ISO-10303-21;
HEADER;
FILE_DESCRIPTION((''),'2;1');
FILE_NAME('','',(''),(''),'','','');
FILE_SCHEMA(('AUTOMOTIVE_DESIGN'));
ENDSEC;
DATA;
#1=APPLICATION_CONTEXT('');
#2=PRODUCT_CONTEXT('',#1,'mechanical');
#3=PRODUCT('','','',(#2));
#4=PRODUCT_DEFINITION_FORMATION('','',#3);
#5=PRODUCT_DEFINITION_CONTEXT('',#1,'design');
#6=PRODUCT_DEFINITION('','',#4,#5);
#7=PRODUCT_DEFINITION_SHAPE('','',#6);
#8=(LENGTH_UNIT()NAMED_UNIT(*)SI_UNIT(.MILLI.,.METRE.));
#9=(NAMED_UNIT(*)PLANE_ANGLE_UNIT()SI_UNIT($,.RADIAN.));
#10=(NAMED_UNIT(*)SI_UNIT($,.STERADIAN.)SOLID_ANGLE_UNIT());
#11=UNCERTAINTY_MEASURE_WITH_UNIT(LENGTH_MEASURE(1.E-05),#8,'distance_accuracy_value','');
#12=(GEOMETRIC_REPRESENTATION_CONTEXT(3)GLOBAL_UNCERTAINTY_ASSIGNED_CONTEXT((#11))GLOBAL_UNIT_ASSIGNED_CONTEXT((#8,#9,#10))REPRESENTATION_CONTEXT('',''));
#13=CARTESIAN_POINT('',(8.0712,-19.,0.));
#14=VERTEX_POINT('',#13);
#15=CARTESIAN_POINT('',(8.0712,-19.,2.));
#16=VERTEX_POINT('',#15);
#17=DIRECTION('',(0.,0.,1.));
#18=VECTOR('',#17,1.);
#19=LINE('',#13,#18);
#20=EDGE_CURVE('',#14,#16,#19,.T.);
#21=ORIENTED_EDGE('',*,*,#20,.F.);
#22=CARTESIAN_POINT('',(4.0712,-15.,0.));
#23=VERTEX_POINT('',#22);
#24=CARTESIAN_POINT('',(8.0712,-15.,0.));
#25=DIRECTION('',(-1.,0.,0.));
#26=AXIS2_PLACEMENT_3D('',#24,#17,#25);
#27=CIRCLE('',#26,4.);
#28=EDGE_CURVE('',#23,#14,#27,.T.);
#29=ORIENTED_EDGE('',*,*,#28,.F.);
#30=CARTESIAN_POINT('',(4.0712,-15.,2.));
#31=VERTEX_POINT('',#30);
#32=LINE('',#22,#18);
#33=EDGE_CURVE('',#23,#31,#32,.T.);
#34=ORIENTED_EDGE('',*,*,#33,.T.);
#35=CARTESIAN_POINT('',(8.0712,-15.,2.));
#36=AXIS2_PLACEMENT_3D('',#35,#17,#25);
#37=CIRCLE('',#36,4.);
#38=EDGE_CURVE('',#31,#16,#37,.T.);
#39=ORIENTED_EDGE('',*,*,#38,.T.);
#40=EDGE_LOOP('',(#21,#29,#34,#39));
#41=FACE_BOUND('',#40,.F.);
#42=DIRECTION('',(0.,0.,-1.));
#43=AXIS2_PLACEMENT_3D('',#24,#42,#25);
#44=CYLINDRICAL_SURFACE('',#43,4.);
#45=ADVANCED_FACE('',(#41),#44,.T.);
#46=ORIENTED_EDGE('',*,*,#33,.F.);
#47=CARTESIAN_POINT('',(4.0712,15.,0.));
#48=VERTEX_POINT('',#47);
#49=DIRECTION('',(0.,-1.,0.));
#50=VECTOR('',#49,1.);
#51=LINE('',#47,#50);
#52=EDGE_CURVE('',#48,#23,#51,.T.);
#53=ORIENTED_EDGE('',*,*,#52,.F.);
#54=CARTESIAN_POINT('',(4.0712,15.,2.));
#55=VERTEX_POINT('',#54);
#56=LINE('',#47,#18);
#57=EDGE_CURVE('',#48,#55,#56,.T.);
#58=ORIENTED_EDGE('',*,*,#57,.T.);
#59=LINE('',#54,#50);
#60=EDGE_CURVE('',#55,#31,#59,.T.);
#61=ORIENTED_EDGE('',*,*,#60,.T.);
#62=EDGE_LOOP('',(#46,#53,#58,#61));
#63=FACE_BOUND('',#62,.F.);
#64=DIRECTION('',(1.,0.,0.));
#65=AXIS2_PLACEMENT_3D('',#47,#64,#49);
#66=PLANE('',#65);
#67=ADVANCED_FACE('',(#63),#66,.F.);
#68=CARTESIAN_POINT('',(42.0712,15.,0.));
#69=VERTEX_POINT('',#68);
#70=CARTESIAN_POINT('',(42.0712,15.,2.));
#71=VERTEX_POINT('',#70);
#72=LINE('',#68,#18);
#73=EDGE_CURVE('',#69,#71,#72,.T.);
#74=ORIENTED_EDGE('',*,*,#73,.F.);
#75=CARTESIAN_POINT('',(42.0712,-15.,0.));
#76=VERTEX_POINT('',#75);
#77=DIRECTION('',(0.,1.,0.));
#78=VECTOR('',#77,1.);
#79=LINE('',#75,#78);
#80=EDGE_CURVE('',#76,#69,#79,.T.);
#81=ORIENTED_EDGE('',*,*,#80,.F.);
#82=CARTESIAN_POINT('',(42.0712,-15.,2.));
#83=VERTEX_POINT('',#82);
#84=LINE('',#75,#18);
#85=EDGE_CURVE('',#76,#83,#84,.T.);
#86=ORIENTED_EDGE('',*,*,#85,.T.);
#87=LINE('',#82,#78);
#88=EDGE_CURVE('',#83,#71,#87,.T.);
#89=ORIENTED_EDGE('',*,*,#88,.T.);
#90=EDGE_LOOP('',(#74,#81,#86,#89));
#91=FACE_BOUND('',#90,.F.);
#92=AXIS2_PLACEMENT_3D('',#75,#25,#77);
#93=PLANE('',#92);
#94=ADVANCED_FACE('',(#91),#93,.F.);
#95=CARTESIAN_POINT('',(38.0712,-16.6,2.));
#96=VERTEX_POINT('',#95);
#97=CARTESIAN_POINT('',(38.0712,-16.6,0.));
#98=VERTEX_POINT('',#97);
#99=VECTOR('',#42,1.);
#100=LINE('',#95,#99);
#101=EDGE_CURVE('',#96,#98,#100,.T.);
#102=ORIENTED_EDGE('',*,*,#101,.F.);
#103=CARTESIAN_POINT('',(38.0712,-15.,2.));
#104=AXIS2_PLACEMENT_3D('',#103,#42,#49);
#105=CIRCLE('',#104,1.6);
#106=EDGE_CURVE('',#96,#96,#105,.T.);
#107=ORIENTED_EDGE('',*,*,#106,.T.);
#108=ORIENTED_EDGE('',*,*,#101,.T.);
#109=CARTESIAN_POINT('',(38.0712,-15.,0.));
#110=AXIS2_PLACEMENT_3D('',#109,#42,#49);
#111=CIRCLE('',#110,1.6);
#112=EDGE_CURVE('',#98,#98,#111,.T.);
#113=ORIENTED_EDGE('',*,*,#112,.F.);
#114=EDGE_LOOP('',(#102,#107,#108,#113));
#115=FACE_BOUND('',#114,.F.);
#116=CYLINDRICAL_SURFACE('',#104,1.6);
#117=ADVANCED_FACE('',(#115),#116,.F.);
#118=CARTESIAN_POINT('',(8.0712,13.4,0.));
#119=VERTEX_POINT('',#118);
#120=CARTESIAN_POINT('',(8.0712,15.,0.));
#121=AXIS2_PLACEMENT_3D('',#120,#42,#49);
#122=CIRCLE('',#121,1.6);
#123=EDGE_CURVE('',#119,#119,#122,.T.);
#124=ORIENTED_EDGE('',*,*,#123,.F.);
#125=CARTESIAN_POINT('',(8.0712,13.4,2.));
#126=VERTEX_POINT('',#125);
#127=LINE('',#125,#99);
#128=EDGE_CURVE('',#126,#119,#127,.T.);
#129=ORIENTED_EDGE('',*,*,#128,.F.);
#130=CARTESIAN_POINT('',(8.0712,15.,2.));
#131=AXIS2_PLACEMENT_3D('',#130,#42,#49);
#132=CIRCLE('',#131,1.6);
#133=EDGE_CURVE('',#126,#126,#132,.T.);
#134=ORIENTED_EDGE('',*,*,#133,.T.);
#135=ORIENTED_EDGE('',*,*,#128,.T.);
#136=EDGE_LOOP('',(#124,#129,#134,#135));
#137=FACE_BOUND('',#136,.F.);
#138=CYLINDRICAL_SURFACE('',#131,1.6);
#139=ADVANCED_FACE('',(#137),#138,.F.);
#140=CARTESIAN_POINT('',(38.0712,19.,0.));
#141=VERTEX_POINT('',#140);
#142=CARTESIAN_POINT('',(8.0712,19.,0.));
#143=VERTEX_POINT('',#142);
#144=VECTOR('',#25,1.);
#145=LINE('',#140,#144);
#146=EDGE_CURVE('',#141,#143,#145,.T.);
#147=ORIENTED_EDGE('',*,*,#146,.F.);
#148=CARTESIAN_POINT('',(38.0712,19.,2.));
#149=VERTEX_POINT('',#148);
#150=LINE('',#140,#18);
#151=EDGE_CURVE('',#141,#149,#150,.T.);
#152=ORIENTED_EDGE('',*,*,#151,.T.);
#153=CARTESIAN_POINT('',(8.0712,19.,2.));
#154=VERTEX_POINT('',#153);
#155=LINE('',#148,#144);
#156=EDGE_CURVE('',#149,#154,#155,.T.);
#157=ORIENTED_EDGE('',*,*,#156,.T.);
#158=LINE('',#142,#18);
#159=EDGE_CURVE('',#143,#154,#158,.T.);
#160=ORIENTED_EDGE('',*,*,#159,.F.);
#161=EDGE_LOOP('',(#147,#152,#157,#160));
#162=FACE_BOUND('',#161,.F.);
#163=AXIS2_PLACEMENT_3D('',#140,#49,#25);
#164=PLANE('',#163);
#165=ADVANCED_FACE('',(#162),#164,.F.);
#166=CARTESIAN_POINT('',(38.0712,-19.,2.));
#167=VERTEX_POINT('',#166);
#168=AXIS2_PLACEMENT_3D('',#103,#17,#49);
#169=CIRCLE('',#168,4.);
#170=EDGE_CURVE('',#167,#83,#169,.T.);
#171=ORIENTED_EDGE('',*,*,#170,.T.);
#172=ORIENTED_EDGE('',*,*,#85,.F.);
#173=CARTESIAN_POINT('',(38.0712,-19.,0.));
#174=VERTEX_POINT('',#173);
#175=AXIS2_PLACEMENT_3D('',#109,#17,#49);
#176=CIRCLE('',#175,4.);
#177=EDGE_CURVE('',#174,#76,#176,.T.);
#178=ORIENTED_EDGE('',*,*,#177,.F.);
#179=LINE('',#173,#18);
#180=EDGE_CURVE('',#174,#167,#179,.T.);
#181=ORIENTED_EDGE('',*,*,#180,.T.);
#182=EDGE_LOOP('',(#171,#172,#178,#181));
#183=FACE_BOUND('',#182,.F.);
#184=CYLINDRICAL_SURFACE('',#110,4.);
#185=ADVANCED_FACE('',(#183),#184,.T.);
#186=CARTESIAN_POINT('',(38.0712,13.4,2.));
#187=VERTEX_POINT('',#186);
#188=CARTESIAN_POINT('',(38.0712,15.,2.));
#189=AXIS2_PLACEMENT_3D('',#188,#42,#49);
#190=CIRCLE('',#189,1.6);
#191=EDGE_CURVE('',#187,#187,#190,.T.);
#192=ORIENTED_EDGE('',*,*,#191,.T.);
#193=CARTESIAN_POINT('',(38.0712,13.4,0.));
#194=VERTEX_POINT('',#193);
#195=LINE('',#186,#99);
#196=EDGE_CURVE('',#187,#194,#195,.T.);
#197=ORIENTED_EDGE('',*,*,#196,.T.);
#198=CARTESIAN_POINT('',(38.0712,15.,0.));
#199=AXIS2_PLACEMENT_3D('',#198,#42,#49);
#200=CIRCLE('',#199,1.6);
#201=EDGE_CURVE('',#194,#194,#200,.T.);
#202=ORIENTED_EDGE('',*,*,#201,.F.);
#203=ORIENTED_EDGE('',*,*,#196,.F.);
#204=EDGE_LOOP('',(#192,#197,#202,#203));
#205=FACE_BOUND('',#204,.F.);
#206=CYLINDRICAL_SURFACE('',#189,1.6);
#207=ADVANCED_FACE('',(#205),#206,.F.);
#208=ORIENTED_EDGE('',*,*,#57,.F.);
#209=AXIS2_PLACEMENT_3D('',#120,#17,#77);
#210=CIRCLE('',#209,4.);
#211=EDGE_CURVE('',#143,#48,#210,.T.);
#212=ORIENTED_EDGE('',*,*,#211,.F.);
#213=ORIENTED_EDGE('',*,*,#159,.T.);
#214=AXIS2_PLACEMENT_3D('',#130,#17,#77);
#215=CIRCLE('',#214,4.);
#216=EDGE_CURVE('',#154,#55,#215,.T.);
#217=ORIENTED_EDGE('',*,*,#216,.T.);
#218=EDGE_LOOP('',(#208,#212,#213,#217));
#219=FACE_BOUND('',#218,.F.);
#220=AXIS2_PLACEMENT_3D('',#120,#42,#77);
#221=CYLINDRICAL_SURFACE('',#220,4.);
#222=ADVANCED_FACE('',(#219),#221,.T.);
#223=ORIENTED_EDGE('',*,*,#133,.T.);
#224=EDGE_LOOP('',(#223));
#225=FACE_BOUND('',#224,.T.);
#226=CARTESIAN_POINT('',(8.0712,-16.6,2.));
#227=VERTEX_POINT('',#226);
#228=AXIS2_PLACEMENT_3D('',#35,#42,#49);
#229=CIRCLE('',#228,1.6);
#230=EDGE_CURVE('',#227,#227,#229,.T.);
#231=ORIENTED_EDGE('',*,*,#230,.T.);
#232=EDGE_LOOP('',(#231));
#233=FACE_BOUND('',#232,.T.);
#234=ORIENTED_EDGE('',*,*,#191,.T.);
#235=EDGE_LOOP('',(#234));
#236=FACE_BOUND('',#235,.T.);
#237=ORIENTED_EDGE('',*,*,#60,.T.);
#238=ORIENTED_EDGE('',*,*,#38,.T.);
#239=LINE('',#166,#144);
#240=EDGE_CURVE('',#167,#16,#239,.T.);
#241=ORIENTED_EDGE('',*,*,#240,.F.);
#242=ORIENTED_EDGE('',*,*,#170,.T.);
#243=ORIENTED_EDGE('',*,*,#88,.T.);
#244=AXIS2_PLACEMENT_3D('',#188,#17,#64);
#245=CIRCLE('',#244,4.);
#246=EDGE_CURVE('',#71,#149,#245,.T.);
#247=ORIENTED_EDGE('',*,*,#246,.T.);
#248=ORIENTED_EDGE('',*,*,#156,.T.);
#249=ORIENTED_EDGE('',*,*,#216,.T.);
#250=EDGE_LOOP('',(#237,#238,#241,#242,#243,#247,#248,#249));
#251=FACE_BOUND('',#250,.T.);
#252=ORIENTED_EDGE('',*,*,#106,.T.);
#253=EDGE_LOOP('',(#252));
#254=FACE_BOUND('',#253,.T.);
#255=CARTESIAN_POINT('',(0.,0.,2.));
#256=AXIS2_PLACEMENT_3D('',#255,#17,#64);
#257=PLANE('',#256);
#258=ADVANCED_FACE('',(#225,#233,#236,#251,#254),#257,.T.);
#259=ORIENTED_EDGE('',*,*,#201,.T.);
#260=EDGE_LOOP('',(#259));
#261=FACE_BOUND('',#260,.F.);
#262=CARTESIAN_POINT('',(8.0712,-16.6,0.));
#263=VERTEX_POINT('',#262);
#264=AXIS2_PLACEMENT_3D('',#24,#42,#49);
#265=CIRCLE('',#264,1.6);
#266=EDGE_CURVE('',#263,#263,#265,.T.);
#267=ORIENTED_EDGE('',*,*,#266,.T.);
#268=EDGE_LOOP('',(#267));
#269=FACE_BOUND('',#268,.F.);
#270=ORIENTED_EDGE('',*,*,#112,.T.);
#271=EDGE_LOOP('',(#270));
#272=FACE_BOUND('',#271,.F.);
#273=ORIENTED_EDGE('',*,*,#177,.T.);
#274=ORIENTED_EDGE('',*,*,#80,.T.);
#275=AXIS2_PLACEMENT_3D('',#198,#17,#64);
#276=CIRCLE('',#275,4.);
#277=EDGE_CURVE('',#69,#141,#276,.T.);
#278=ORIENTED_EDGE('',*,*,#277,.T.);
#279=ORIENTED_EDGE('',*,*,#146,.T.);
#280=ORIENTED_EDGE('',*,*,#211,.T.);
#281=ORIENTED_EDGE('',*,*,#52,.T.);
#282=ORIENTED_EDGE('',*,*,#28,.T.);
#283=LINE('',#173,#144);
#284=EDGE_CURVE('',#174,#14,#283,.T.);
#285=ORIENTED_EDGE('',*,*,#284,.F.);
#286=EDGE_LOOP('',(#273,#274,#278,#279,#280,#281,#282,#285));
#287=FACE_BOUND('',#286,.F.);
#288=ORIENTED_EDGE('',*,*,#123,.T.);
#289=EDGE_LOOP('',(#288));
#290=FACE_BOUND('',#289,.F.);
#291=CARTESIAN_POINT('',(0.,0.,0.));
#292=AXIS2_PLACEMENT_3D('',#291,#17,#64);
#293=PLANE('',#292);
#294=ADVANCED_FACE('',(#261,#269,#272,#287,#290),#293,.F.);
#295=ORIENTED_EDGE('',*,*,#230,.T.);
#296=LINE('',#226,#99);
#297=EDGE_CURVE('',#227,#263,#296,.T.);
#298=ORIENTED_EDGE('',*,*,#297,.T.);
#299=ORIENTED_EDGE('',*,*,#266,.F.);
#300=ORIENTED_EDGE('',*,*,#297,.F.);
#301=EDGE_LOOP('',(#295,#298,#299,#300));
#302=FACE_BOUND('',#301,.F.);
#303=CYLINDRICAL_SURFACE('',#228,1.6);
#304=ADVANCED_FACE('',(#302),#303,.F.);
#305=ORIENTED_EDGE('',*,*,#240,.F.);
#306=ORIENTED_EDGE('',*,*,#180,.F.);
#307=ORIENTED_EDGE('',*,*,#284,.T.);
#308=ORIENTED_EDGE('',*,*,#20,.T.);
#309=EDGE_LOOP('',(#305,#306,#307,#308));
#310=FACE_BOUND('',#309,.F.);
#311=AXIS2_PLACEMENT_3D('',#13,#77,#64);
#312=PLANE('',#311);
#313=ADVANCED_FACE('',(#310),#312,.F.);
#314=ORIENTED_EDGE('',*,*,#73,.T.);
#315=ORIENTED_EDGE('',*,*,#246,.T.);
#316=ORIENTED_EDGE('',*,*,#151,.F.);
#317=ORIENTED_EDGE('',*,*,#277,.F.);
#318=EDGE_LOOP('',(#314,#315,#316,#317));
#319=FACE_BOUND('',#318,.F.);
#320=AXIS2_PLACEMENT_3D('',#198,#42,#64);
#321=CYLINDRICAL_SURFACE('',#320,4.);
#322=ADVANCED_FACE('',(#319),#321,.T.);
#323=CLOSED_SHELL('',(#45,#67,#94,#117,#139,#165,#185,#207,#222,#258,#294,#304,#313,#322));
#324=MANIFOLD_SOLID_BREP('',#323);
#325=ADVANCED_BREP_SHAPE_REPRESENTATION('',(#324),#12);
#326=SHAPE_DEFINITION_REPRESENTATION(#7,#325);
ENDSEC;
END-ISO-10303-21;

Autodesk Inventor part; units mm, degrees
ref_plane "YZ Plane" through (0, 0, 0) normal (1, 0, 0) x (0, 1, 0)
ref_plane "XZ Plane" through (0, 0, 0) normal (0, 1, 0) x (-1, 0, 0)
ref_plane "XY Plane" through (0, 0, 0) normal (0, 0, 1) x (1, 0, 0)
ref_plane "Arbeitsebene1" through (0, 0, 0) normal (0, 0, 1) x (1, 0, 0)
sketch "Skizze1" plane through (0, 0, 0) normal (0, 0, 1) x (1, 0, 0)
  line L0 (14.5712, 11.3758) -> (14.5712, 4.0068) projected
  line L1 (13.3638, -15.5) -> (13.3638, 1.7) projected
  arc A0 (14.5712, 4.0068) -> (13.3638, 1.7) centre (16.1712, 1.7) ccw projected
  line L2 (8.0712, 15) -> (38.0712, 15)
  line L3 (38.0712, 15) -> (38.0712, -15)
  line L4 (38.0712, -15) -> (8.0712, -15)
  line L5 (8.0712, -15) -> (8.0712, 15)
  line L6 (38.0712, 19) -> (8.0712, 19)
  line L7 (4.0712, 15) -> (4.0712, -15)
  line L8 (8.0712, -19) -> (38.0712, -19)
  line L9 (42.0712, -15) -> (42.0712, 15)
  arc A1 (8.0712, 19) -> (4.0712, 15) centre (8.0712, 15) ccw
  arc A2 (42.0712, 15) -> (38.0712, 19) centre (38.0712, 15) ccw
  arc A3 (38.0712, -19) -> (42.0712, -15) centre (38.0712, -15) ccw
  arc A4 (4.0712, -15) -> (8.0712, -19) centre (8.0712, -15) ccw
  line L10 (10.5793, 11.3758) -> (14.5712, 11.3758) projected
  line L11 (36.5793, 10.3758) -> (36.5793, -24.4) projected
  arc A5 (36.5793, 10.3758) -> (35.5793, 11.3758) centre (35.5793, 10.3758) ccw projected
  line L12 (9.5793, -24.4) -> (9.5793, 10.3758) projected
  line L13 (36.5793, -24.4) -> (9.5793, -24.4) projected
  line L14 (31.5712, 11.3758) -> (35.5793, 11.3758) projected
  line L15 (31.5712, 4.0068) -> (31.5712, 11.3758) projected
  arc A6 (10.5793, 11.3758) -> (9.5793, 10.3758) centre (10.5793, 10.3758) ccw projected
  arc A7 (32.7786, 1.7) -> (31.5712, 4.0068) centre (29.9712, 1.7) ccw projected
  line L16 (32.7786, 1.7) -> (32.7786, -15.5) projected
  arc A8 (29.9712, -18.3074) -> (32.7786, -15.5) centre (29.9712, -15.5) ccw projected
  line L17 (29.9712, -18.3074) -> (16.1712, -18.3074) projected
  arc A9 (13.3638, -15.5) -> (16.1712, -18.3074) centre (16.1712, -15.5) ccw projected
  point P0 (0, 0)
  dimension "d0" = 4
  dimension "d1" = 4
extrude "Extrusion1" add sketch "Skizze1" along normal blind 2 contours L10 A6 L12 L4 L5 L2 L3 L11 A5 L14 L15 A7 L16 L1 A0 L0 | L0 A0 L1 L4 L12 A6 L10 | L4 L16 A8 L17 A9 L1 | L1 A9 L17 A8 L16 L4 L11 L8 L12 | L12 L8 A4 L7 A1 L6 A2 L9 A3 L11 L4 L3 L2 L5 | L16 A7 L15 L14 A5 L11 L4
ref_plane "Arbeitsebene2" through (0, 0, 0) normal (0, 0, 1) x (1, 0, 0)
sketch "Skizze2" plane through (0, 0, 2) normal (0, 0, 1) x (1, 0, 0)
  arc A0 (8.0712, 19) -> (4.0712, 15) centre (8.0712, 15) ccw projected
  line L0 (4.0712, 15) -> (4.0712, -15) projected
  arc A1 (4.0712, -15) -> (8.0712, -19) centre (8.0712, -15) ccw projected
  line L1 (8.0712, -19) -> (38.0712, -19) projected
  arc A2 (38.0712, -19) -> (42.0712, -15) centre (38.0712, -15) ccw projected
  line L2 (42.0712, -15) -> (42.0712, 15) projected
  arc A3 (42.0712, 15) -> (38.0712, 19) centre (38.0712, 15) ccw projected
  line L3 (38.0712, 19) -> (8.0712, 19) projected
  circle A4 centre (8.0712, 15) radius 1.4 projected
  circle A5 centre (38.0712, 15) radius 1.4 projected
  circle A6 centre (38.0712, -15) radius 1.4 projected
  circle A7 centre (8.0712, -15) radius 1.4 projected
  point P0 (0, 0)
hole "Bohrung1" at (8.0712, 15, 2) at (8.0712, -15, 2) at (38.0712, -15, 2) at (38.0712, 15, 2) direction (0, 0, -1) diameter 3.2 end through all
properties part number "20_Cube_Insert_SEEED_Xiao_Sense_Camera_backplate"
